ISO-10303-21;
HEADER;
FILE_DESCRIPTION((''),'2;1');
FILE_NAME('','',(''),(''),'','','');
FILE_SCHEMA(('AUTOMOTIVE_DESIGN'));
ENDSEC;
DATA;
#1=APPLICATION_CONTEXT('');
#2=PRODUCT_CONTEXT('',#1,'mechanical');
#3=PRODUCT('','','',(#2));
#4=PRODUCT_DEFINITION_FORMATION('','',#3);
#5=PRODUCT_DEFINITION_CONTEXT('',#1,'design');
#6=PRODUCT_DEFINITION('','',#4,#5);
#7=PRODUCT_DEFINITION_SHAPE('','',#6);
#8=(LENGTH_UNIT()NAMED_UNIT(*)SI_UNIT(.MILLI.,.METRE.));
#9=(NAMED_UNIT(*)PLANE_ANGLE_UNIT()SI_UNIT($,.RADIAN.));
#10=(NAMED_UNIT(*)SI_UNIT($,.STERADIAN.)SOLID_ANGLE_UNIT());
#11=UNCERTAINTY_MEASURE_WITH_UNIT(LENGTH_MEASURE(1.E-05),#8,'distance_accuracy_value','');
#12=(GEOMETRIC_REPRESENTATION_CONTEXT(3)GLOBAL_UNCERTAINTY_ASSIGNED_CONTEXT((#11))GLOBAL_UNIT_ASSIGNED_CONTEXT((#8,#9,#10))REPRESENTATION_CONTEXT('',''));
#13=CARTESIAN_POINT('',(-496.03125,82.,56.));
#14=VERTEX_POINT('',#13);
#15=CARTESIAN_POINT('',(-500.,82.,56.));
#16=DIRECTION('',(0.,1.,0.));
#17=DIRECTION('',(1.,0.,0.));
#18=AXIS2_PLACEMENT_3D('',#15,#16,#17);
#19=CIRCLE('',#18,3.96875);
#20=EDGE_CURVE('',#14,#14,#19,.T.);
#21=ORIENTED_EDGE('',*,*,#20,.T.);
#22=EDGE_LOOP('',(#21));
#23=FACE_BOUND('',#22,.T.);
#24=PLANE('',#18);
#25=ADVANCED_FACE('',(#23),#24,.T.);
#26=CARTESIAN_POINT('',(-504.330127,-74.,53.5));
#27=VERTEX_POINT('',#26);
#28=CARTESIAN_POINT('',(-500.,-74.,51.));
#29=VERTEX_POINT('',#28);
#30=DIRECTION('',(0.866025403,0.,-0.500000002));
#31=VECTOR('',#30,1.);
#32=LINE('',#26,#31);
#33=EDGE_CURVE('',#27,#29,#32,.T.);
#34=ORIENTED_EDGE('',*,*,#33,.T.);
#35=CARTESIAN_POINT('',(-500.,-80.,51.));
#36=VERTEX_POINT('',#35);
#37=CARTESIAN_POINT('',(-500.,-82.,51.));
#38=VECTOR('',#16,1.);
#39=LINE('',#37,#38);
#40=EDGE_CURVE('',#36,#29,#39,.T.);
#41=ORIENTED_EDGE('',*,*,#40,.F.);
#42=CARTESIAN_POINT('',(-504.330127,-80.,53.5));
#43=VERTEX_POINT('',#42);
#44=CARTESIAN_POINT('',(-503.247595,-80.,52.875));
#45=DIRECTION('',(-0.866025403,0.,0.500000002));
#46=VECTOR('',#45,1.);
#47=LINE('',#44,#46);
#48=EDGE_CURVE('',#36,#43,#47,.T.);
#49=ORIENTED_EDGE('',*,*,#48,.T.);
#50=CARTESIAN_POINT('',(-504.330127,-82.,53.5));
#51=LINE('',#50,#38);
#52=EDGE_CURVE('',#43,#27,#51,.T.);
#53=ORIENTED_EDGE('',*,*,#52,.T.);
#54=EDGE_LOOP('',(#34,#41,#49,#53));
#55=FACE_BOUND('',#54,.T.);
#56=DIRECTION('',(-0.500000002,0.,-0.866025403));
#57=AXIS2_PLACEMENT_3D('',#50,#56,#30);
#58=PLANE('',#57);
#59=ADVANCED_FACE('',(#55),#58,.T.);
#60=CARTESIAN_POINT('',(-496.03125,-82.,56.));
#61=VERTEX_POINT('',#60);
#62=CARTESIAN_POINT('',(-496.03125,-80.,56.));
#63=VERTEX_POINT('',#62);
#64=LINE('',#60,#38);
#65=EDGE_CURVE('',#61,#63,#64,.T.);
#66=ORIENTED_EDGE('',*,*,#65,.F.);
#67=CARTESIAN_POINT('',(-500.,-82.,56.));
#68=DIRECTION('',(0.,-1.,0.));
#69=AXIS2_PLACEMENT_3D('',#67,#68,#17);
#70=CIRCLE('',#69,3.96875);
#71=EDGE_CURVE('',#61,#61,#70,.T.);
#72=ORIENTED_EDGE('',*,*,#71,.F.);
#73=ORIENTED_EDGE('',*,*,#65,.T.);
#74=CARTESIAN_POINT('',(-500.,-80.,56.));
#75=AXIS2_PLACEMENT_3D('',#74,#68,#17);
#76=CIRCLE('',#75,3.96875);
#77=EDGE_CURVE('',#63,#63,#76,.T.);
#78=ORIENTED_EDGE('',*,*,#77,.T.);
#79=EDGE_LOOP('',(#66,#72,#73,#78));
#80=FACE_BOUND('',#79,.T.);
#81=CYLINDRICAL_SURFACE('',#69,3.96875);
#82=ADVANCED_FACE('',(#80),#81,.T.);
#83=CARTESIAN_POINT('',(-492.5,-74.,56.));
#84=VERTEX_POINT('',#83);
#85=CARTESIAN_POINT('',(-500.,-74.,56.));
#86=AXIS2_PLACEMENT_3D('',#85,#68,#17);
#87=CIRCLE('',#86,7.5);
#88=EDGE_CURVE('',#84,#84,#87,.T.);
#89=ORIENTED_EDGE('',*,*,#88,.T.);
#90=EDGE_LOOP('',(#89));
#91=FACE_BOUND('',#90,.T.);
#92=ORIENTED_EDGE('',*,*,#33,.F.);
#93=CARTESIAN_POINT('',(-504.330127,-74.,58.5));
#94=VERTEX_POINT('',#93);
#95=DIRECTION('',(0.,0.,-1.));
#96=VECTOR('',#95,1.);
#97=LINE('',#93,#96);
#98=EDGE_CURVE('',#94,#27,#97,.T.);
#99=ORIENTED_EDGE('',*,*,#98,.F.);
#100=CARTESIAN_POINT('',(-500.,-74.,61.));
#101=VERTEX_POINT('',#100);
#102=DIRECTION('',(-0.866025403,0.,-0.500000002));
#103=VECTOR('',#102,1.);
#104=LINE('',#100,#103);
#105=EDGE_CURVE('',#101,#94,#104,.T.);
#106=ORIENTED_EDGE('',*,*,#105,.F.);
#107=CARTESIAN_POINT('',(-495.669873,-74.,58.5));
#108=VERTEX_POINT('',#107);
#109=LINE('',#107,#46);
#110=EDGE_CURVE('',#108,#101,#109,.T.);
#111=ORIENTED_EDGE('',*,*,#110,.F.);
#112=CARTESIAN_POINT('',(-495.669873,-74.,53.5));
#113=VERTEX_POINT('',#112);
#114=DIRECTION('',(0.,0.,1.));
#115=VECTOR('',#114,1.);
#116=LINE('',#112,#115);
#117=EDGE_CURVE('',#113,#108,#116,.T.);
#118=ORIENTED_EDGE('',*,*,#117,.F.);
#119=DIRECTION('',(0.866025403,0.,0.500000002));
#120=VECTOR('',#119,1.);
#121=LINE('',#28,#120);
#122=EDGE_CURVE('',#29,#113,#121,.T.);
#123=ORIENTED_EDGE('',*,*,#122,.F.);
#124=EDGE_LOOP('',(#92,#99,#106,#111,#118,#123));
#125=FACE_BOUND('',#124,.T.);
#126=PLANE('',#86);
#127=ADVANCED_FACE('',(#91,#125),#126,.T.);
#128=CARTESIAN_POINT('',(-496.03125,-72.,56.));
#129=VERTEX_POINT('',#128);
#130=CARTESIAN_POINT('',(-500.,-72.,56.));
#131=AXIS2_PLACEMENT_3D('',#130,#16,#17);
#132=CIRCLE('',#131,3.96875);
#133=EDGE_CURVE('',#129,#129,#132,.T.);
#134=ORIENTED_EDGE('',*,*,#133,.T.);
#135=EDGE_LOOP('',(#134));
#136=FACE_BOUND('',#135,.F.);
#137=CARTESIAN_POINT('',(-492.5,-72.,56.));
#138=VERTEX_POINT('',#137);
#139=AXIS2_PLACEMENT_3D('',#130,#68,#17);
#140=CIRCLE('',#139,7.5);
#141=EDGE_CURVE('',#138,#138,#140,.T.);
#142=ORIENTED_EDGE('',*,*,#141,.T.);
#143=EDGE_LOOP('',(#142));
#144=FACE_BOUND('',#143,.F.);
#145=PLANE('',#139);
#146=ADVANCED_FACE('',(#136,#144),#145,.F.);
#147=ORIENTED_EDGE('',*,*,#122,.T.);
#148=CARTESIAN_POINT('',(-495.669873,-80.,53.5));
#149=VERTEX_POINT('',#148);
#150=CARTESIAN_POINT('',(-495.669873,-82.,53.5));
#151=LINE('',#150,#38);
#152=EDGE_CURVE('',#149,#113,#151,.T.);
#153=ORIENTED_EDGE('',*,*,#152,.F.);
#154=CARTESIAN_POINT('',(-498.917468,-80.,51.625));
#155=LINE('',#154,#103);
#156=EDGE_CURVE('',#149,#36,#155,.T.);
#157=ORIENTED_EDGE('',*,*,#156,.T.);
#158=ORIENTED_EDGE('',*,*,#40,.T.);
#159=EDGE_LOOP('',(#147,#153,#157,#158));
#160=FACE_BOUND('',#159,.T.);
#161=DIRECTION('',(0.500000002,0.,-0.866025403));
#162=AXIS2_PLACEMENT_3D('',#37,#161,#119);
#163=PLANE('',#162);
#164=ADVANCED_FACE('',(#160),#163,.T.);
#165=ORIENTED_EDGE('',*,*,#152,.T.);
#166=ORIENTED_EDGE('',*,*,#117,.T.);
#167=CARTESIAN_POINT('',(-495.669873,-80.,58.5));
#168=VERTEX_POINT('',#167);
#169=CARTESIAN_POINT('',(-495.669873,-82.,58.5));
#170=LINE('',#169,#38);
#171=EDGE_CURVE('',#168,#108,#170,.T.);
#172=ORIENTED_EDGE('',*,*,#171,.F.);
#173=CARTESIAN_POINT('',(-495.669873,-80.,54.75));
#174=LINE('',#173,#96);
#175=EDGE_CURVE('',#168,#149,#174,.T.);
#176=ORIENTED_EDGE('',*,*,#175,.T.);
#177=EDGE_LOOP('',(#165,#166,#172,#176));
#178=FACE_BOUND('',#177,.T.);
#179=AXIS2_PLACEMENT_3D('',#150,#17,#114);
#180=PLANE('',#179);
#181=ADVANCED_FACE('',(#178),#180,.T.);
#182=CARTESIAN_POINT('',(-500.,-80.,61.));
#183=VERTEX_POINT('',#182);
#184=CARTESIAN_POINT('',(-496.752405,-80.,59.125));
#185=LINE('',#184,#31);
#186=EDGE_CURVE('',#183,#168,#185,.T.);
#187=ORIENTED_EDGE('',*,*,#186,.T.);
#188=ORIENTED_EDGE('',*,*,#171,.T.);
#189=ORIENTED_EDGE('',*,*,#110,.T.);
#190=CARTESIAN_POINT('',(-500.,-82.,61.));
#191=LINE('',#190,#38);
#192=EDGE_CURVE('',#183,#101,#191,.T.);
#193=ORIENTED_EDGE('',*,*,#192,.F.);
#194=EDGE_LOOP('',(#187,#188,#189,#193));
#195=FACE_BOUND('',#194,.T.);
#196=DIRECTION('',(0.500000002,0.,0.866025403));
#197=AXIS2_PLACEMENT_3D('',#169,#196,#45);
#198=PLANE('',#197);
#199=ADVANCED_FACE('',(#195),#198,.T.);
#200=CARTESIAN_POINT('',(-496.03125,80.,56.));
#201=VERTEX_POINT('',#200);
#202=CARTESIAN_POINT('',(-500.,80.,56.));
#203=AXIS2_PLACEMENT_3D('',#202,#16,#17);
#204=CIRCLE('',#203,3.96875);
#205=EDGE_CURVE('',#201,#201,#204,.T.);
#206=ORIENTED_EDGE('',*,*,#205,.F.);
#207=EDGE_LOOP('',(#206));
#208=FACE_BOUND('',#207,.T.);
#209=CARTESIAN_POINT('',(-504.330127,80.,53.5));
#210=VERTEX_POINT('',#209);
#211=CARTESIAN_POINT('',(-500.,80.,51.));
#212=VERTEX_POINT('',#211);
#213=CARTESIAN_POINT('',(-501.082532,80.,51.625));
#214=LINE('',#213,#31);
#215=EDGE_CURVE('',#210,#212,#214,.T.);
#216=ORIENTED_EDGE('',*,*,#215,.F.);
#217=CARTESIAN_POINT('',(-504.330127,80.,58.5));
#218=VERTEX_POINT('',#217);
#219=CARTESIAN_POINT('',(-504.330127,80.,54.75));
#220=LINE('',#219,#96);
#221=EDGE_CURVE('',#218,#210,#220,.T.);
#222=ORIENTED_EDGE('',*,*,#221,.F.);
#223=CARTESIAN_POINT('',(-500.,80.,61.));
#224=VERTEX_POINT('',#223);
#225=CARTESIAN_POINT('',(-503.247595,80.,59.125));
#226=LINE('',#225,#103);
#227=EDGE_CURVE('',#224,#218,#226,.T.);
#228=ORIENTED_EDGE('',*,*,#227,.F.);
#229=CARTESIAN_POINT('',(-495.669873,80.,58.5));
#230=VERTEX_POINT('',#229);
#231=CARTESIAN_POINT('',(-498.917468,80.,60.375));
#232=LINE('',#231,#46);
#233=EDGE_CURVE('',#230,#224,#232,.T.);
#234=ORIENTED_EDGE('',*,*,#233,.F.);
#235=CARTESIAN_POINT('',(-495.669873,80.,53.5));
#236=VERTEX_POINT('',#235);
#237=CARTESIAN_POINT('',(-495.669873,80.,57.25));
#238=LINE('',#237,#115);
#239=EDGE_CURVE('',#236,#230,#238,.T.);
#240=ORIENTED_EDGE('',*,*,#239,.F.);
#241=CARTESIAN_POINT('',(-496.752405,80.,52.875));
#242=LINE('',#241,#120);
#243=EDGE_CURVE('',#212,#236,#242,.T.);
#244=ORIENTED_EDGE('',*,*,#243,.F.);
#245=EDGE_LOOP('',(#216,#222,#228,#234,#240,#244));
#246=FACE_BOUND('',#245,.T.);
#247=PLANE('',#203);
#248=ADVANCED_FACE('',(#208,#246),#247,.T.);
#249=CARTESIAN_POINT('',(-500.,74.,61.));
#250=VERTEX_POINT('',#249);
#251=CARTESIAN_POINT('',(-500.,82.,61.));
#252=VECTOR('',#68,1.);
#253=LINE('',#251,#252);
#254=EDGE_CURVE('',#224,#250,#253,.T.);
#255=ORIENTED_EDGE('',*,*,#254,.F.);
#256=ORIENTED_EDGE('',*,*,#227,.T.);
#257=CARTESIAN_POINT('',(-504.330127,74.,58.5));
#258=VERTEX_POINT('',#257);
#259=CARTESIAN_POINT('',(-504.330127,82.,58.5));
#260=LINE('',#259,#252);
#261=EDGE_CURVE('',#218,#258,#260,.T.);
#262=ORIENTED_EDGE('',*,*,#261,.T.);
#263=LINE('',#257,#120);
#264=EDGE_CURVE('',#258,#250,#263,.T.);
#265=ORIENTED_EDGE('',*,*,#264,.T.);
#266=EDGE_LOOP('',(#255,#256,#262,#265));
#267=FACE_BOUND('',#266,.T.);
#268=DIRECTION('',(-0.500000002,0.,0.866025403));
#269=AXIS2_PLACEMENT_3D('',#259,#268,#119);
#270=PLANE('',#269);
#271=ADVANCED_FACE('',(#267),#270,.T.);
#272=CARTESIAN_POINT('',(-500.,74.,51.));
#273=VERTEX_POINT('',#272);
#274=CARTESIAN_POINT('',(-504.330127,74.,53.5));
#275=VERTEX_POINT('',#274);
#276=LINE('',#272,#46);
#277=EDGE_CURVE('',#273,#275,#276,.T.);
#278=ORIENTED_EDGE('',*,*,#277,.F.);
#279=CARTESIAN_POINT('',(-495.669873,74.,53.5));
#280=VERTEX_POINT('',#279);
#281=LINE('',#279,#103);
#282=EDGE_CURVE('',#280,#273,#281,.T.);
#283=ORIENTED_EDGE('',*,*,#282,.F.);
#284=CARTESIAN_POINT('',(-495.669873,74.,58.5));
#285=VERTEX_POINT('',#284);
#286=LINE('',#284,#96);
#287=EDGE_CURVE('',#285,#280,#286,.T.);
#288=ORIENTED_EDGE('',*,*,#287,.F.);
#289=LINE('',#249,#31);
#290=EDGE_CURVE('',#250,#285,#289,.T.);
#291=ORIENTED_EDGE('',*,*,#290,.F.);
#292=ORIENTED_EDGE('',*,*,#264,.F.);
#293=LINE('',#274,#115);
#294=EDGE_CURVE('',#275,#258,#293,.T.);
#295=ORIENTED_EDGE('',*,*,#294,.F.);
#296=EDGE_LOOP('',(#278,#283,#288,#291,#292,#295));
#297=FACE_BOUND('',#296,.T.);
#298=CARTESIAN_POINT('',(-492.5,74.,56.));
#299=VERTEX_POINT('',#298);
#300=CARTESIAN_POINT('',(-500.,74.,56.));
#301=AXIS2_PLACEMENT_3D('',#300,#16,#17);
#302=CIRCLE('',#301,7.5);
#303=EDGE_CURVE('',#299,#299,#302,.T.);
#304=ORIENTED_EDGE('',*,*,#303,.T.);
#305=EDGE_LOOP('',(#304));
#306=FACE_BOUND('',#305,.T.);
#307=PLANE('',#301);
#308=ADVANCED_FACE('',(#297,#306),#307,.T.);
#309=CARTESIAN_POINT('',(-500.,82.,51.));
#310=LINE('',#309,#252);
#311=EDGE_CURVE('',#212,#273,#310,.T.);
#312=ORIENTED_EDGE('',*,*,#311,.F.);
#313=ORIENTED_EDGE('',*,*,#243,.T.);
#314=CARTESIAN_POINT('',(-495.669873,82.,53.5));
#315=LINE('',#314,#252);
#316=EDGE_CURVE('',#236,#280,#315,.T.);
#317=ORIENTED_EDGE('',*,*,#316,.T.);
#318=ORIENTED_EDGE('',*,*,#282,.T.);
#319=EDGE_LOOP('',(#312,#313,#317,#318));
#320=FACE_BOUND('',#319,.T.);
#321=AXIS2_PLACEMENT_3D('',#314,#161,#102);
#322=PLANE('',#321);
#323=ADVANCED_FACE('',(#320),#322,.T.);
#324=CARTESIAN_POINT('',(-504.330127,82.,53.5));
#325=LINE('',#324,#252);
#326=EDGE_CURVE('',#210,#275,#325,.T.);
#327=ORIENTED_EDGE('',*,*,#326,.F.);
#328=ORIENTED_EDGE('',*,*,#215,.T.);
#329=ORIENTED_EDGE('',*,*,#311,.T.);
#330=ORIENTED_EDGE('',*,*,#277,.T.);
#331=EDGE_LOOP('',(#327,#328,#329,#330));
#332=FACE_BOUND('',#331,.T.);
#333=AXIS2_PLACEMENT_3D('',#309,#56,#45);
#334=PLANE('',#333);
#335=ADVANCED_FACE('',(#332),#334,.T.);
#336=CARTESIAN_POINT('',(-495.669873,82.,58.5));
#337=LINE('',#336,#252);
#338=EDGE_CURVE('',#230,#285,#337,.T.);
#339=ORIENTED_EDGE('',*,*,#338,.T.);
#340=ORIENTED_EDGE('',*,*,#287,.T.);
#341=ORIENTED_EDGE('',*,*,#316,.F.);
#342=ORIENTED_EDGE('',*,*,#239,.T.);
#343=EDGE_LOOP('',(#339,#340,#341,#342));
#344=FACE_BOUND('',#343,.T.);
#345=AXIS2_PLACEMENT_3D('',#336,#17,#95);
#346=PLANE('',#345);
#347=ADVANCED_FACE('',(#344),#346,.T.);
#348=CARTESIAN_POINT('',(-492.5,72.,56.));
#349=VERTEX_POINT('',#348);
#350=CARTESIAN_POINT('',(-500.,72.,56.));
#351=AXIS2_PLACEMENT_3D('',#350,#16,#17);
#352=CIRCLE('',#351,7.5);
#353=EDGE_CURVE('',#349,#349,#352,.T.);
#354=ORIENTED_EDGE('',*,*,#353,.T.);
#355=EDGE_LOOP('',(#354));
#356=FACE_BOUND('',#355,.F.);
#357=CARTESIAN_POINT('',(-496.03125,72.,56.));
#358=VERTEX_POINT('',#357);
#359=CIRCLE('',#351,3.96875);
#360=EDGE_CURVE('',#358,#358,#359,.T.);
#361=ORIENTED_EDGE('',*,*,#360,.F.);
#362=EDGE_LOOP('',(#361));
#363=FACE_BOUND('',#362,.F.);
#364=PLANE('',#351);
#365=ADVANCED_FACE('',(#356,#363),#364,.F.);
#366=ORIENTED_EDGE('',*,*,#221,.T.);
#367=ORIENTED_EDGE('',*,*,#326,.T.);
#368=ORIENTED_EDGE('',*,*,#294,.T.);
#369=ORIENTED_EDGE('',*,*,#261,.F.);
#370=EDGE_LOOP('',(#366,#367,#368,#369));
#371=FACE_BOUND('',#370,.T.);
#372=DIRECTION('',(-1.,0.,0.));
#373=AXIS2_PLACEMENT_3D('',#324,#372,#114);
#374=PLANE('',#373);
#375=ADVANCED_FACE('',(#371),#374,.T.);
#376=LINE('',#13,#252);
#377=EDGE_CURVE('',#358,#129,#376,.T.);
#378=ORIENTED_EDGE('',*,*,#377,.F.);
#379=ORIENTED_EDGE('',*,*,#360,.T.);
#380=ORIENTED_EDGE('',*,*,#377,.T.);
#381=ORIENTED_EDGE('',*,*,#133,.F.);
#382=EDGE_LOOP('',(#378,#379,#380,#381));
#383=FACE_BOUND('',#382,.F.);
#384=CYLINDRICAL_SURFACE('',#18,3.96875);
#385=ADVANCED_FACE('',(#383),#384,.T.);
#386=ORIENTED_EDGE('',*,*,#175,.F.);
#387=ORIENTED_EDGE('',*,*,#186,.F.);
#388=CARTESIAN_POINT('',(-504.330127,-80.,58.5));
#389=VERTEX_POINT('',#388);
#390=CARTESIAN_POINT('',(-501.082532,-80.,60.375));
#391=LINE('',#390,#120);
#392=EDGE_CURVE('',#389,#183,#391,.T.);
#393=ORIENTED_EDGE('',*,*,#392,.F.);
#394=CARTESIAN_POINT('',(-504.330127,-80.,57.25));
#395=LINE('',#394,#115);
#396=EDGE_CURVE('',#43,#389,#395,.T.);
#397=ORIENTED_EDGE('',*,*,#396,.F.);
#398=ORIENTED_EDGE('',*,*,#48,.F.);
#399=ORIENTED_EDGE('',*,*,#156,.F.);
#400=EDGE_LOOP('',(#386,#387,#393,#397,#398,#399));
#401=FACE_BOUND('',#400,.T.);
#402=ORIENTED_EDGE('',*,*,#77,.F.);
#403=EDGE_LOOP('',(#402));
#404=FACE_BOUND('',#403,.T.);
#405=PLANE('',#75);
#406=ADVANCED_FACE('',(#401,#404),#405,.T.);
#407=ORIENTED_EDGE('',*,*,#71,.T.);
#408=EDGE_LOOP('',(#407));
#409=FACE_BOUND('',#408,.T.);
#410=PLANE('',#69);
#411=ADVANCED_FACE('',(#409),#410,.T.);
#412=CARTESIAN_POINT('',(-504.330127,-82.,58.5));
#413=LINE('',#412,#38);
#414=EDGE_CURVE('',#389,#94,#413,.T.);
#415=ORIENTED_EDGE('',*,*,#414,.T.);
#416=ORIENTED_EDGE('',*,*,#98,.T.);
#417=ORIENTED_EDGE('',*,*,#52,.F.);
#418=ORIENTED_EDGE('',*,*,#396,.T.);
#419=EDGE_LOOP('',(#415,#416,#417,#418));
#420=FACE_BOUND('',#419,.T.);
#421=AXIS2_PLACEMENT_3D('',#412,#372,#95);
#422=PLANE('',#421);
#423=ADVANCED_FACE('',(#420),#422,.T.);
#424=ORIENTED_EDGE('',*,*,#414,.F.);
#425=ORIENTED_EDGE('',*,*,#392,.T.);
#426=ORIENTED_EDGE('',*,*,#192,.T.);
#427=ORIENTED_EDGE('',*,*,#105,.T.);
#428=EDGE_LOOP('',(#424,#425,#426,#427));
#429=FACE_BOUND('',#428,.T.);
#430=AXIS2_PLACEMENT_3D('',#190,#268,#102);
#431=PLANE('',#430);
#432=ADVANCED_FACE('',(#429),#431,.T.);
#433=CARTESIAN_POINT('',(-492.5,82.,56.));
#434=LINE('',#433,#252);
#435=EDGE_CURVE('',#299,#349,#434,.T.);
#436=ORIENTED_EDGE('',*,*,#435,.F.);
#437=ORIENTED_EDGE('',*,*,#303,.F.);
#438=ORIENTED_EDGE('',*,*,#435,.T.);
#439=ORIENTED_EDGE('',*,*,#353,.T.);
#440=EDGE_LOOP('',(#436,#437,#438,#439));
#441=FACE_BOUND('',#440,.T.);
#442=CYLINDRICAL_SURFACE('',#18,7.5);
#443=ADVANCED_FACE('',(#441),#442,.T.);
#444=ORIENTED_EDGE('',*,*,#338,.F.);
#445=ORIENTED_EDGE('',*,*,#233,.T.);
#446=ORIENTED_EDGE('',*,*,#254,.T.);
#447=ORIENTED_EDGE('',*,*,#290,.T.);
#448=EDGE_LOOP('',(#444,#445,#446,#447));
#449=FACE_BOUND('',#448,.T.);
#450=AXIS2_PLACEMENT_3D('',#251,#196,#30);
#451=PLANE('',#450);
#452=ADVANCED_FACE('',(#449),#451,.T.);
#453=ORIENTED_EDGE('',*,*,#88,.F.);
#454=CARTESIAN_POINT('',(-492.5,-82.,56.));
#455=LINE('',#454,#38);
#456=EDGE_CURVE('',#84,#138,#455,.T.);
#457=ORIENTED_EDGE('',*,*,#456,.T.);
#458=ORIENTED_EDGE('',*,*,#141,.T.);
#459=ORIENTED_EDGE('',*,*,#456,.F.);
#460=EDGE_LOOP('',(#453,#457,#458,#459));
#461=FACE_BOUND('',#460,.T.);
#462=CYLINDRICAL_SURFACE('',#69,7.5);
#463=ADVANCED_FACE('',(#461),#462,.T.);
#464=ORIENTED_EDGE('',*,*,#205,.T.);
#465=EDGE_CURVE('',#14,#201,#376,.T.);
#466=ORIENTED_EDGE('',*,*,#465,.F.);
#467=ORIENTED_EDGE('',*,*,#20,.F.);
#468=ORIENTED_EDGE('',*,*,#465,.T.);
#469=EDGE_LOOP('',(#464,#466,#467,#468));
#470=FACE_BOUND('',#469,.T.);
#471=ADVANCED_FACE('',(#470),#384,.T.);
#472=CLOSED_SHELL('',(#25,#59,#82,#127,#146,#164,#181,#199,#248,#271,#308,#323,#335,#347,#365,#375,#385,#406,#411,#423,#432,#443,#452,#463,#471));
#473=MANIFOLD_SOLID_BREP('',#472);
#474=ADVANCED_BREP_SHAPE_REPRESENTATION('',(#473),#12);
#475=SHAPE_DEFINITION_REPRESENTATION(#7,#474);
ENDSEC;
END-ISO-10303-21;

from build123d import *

# Parameters (mm, degrees)
SKETCH013_R     = 3.96875
PAD009_DEPTH    = 164
SKETCH014_R     = 7.5
PAD010_DEPTH    = 10
SKETCH015_R     = 7.5
POCKET003_DEPTH = 8
SKETCH016_R     = 7.5
SKETCH016_R_2   = 3.96875
POCKET004_DEPTH = 2
SKETCH017_R     = 7.5
PAD011_DEPTH    = 10
SKETCH018_R     = 7.5
POCKET005_DEPTH = 8
SKETCH019_R     = 7.5
SKETCH019_R_2   = 3.96875
POCKET006_DEPTH = 2


with BuildPart() as part:
    # Sketch013 → Pad009 (new body)
    with BuildSketch(Plane(origin=(500, 82, 56), x_dir=(1, 0, 0), z_dir=(0, -1, 0))):
        Circle(SKETCH013_R)
    extrude(amount=PAD009_DEPTH)

    # Sketch014 → Pad010 (new body)
    with BuildSketch(Plane(origin=(500, 82, 56), x_dir=(1, 0, 0), z_dir=(0, 1, 0))):
        Circle(SKETCH014_R)
    extrude(amount=-PAD010_DEPTH)

    # Sketch015 → Pocket003 (cut)
    with BuildSketch(Plane(origin=(500, 82, 56), x_dir=(1, 0, 0), z_dir=(0, 1, 0))):
        Circle(SKETCH015_R)
        Polygon((0, 5), (-4.330127, 2.5), (-4.330127, -2.5), (0, -5), (4.330127, -2.5), (4.330127, 2.5), align=None, mode=Mode.SUBTRACT)
    extrude(amount=-POCKET003_DEPTH, mode=Mode.SUBTRACT)

    # Sketch016 → Pocket004 (cut)
    with BuildSketch(Plane(origin=(500, 82, 56), x_dir=(1, 0, 0), z_dir=(0, 1, 0))):
        Circle(SKETCH016_R)
        Circle(SKETCH016_R_2, mode=Mode.SUBTRACT)
    extrude(amount=-POCKET004_DEPTH, mode=Mode.SUBTRACT)

    # Sketch017 → Pad011 (new body)
    with BuildSketch(Plane(origin=(500, -82, 56), x_dir=(1, 0, 0), z_dir=(0, -1, 0))):
        Circle(SKETCH017_R)
    extrude(amount=-PAD011_DEPTH)

    # Sketch018 → Pocket005 (cut)
    with BuildSketch(Plane(origin=(500, -82, 56), x_dir=(1, 0, 0), z_dir=(0, -1, 0))):
        Circle(SKETCH018_R)
        Polygon((0, 5), (-4.330127, 2.5), (-4.330127, -2.5), (0, -5), (4.330127, -2.5), (4.330127, 2.5), align=None, mode=Mode.SUBTRACT)
    extrude(amount=-POCKET005_DEPTH, mode=Mode.SUBTRACT)

    # Sketch019 → Pocket006 (cut)
    with BuildSketch(Plane(origin=(500, -82, 56), x_dir=(1, 0, 0), z_dir=(0, -1, 0))):
        Circle(SKETCH019_R)
        Circle(SKETCH019_R_2, mode=Mode.SUBTRACT)
    extrude(amount=-POCKET006_DEPTH, mode=Mode.SUBTRACT)


with BuildPart() as part_1:
    # Clone016 placement: moved
    add(part.part.moved(Location((-1000, 0, 0))))


solid = part_1.part
